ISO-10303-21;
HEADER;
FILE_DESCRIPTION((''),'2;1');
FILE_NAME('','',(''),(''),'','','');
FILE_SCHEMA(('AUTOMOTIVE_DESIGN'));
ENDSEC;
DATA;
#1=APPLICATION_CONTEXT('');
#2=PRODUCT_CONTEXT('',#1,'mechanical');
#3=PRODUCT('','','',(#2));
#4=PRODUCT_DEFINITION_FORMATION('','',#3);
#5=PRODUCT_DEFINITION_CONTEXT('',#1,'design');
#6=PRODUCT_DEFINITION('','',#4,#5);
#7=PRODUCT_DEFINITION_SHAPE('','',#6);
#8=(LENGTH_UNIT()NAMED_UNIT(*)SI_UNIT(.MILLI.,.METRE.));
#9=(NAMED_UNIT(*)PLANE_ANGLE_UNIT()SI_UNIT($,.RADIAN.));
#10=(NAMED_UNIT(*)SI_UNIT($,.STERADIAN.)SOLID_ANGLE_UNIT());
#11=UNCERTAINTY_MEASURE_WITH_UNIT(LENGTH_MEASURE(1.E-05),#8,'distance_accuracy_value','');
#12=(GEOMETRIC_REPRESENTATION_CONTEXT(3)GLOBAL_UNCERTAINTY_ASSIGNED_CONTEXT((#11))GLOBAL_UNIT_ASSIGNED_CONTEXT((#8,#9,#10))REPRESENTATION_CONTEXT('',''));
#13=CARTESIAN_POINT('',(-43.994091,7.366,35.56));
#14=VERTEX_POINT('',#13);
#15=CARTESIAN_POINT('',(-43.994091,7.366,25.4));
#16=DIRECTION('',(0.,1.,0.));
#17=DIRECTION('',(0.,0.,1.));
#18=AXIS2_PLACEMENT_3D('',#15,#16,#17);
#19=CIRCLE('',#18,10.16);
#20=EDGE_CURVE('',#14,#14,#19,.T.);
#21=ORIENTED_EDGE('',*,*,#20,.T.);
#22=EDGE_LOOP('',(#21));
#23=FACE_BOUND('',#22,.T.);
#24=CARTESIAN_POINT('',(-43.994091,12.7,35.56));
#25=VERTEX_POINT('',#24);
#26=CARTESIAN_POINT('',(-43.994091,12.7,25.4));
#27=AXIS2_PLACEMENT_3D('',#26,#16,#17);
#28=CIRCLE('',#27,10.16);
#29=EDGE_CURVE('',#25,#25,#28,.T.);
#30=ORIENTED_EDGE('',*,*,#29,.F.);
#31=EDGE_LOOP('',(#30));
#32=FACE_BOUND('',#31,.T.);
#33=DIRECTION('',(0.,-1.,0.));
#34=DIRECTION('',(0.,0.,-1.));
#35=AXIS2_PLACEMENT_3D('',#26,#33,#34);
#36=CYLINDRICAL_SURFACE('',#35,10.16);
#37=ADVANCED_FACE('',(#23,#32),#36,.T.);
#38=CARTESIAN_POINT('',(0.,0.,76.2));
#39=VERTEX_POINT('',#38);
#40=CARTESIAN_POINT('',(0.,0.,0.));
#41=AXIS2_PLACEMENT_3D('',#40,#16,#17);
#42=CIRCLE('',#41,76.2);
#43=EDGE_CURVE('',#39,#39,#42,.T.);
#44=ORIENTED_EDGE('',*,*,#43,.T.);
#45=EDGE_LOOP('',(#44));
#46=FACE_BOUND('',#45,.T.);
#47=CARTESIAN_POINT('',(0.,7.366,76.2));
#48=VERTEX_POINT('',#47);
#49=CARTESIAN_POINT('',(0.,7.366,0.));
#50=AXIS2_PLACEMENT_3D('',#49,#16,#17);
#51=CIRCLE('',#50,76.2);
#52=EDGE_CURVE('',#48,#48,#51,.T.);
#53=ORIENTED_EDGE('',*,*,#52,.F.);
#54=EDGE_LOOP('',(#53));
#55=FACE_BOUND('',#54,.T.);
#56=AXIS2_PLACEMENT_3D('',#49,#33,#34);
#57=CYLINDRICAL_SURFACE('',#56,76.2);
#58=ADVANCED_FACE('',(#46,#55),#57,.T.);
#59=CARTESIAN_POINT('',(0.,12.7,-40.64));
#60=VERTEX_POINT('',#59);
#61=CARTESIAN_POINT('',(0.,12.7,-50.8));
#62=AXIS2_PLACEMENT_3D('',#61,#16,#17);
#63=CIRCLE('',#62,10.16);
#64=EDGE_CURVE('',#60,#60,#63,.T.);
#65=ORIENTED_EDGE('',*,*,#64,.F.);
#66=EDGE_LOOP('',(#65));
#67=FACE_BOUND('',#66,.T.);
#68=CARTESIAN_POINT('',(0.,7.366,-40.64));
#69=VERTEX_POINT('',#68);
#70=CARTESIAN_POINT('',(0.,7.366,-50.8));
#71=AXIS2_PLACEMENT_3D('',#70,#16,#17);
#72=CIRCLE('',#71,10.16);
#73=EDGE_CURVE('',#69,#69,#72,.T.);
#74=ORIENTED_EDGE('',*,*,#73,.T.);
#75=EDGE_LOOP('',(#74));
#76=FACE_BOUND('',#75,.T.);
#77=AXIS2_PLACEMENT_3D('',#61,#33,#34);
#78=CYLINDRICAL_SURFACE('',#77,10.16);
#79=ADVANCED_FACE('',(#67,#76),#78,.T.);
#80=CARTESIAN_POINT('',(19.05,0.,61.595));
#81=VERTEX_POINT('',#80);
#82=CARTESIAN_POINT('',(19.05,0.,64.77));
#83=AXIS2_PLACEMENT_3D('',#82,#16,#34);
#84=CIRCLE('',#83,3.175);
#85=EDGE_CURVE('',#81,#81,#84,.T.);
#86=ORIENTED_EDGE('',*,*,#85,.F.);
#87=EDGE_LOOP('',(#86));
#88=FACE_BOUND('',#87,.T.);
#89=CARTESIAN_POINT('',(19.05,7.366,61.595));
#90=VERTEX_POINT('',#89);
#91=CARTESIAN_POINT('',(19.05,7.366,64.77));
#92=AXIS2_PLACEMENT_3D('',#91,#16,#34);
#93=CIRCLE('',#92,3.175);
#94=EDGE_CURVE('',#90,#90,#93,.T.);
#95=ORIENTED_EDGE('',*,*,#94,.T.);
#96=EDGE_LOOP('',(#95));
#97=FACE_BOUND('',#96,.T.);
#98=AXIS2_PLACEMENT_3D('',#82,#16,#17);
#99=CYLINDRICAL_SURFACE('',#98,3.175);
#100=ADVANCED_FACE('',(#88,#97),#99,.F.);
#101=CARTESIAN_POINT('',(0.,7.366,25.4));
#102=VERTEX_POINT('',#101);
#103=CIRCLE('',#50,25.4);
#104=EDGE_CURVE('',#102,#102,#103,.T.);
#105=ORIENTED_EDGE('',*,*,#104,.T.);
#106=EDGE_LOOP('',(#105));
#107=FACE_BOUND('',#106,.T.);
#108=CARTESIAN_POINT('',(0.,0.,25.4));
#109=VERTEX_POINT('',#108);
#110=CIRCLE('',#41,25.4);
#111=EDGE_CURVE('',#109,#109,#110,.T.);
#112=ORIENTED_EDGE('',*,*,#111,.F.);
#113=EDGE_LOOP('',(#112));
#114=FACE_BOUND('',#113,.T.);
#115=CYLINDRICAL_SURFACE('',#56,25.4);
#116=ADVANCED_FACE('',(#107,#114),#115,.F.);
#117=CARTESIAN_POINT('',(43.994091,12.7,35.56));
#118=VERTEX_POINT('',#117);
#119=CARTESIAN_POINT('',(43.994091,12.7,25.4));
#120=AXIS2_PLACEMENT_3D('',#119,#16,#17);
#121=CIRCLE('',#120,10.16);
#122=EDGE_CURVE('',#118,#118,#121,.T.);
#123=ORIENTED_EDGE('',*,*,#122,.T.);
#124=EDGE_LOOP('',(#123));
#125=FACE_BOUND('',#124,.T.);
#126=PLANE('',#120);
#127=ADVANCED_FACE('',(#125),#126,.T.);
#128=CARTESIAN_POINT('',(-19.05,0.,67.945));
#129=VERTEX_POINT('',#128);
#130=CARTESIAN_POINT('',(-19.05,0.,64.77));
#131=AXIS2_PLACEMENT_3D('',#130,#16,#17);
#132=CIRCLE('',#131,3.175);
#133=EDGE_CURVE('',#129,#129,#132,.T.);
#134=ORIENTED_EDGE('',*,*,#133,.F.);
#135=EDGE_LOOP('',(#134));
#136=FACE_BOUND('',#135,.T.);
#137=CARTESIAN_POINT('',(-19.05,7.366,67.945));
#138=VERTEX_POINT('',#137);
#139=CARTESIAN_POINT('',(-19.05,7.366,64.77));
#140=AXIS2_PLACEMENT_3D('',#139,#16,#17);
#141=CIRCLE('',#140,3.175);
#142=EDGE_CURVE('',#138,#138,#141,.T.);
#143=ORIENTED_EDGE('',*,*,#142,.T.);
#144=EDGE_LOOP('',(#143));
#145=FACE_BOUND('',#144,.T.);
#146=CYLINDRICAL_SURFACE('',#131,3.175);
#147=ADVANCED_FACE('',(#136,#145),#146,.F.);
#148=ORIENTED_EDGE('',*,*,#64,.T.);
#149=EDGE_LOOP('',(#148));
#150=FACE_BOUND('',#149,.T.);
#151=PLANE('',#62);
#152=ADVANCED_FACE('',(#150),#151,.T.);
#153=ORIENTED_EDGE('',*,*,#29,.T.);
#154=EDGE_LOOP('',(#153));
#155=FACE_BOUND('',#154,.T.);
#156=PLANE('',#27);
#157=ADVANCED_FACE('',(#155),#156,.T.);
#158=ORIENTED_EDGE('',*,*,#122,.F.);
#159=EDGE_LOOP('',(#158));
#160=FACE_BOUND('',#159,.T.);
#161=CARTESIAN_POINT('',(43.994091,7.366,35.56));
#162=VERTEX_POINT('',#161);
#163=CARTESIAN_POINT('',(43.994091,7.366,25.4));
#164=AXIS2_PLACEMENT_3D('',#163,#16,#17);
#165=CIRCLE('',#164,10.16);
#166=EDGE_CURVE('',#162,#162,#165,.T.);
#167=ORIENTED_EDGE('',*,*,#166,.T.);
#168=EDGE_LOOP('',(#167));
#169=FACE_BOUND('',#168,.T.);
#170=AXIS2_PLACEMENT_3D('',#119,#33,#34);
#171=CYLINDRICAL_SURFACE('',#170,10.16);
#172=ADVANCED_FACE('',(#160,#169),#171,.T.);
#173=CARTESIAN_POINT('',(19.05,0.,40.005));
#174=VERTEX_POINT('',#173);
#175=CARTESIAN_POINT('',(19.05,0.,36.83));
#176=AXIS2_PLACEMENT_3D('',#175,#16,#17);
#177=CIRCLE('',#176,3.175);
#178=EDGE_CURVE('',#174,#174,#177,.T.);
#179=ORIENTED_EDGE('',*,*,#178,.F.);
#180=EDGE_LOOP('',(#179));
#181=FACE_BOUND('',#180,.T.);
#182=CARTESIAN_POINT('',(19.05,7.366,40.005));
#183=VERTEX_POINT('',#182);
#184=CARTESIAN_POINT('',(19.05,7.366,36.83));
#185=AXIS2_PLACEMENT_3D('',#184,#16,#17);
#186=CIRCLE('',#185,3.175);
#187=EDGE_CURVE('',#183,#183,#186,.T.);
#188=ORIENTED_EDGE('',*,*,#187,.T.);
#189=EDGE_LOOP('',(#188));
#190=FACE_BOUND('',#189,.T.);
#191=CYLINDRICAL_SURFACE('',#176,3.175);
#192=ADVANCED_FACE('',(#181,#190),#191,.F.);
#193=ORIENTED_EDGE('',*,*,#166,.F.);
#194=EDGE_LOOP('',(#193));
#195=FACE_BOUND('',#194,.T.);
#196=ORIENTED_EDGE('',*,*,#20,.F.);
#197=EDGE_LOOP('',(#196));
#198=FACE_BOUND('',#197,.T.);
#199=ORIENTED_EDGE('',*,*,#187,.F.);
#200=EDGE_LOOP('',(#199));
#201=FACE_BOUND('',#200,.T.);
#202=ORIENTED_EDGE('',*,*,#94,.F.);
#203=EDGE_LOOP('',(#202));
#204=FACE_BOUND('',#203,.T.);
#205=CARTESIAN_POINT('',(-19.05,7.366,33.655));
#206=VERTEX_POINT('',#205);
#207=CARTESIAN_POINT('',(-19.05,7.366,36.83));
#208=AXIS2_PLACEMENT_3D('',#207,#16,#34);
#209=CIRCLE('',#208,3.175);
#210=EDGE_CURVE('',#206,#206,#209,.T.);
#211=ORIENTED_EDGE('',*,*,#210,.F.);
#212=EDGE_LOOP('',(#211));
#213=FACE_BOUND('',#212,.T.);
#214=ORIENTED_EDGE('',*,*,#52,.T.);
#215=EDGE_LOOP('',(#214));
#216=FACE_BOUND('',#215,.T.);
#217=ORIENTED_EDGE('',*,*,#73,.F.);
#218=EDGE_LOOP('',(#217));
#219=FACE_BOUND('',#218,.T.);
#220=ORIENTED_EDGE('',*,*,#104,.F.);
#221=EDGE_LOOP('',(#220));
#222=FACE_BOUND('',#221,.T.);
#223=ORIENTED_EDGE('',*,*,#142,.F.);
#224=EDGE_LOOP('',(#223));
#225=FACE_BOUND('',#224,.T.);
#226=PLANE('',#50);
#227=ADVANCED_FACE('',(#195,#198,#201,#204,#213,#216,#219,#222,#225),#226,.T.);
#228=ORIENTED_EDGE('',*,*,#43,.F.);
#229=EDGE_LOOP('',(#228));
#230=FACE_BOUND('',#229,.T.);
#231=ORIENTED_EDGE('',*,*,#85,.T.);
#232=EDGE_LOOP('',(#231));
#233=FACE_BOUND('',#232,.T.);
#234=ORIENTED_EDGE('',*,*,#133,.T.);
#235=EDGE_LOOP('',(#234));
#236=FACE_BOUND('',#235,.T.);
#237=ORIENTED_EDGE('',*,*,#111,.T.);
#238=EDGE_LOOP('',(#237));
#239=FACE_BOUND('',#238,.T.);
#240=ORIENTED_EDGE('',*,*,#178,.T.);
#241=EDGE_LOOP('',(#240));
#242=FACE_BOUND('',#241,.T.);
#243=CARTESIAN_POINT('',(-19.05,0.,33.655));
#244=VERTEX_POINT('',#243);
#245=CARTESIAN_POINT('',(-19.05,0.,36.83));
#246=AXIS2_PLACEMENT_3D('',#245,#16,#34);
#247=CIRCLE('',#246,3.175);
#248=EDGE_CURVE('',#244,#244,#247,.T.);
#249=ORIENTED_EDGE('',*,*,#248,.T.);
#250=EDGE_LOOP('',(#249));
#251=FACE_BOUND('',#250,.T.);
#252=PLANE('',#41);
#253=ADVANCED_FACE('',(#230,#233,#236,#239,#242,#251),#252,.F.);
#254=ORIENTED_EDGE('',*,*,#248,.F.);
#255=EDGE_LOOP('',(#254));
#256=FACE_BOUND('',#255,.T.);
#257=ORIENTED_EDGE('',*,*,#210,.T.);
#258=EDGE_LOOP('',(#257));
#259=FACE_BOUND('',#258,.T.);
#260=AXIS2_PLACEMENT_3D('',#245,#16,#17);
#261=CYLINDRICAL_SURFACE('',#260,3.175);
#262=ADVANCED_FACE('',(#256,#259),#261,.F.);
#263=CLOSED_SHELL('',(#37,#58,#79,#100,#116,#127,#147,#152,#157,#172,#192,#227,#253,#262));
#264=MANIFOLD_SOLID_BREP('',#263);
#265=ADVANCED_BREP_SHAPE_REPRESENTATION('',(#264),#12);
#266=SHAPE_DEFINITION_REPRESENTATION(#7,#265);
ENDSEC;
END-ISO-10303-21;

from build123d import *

# Parameters (mm, degrees)
SKETCH1_R           = 76.2
SKETCH1_R_2         = 25.4
BOSS_EXTRUDE1_DEPTH = 7.366
SKETCH2_R           = 10.16
BOSS_EXTRUDE2_DEPTH = 5.334
SKETCH3_R           = 3.175
CUT_EXTRUDE1_DEPTH  = 109.014526597


with BuildPart() as part:
    # Sketch1 → Boss-Extrude1 (new body)
    with BuildSketch(Plane(origin=(0, 0, 0), x_dir=(1, 0, 0), z_dir=(0, 1, 0))):
        with Locations(Location((0, 0, 0), (0, 0, 270))):
            Circle(SKETCH1_R)
        with Locations(Location((0, 0, 0), (0, 0, 270))):
            Circle(SKETCH1_R_2, mode=Mode.SUBTRACT)
    extrude(amount=BOSS_EXTRUDE1_DEPTH)

    # Sketch2 → Boss-Extrude2 (add)
    with BuildSketch(Plane(origin=(0, 7.366, 0), x_dir=(1, 0, 0), z_dir=(0, 1, 0))):
        with Locations(Location((0, 50.8, 0), (0, 0, 270))):
            Circle(SKETCH2_R)
        with Locations(Location((-43.994090512, -25.4, 0), (0, 0, 270))):
            Circle(SKETCH2_R)
        with Locations(Location((43.994090512, -25.4, 0), (0, 0, 270))):
            Circle(SKETCH2_R)
    extrude(amount=BOSS_EXTRUDE2_DEPTH)

    # Sketch3 → Cut-Extrude1 (cut, through all)
    with BuildSketch(Plane(origin=(0, 7.366, 0), x_dir=(1, 0, 0), z_dir=(0, 1, 0))):
        with Locations(Location((-19.05, -64.77, 0), (0, 0, 270))):
            Circle(SKETCH3_R)
        with Locations(Location((19.05, -36.83, 0), (0, 0, 270))):
            Circle(SKETCH3_R)
        with Locations(Location((19.05, -64.77, 0), (0, 0, 90))):
            Circle(SKETCH3_R)
        with Locations(Location((-19.05, -36.83, 0), (0, 0, 90))):
            Circle(SKETCH3_R)
    extrude(amount=-CUT_EXTRUDE1_DEPTH, mode=Mode.SUBTRACT)


solid = part.part
